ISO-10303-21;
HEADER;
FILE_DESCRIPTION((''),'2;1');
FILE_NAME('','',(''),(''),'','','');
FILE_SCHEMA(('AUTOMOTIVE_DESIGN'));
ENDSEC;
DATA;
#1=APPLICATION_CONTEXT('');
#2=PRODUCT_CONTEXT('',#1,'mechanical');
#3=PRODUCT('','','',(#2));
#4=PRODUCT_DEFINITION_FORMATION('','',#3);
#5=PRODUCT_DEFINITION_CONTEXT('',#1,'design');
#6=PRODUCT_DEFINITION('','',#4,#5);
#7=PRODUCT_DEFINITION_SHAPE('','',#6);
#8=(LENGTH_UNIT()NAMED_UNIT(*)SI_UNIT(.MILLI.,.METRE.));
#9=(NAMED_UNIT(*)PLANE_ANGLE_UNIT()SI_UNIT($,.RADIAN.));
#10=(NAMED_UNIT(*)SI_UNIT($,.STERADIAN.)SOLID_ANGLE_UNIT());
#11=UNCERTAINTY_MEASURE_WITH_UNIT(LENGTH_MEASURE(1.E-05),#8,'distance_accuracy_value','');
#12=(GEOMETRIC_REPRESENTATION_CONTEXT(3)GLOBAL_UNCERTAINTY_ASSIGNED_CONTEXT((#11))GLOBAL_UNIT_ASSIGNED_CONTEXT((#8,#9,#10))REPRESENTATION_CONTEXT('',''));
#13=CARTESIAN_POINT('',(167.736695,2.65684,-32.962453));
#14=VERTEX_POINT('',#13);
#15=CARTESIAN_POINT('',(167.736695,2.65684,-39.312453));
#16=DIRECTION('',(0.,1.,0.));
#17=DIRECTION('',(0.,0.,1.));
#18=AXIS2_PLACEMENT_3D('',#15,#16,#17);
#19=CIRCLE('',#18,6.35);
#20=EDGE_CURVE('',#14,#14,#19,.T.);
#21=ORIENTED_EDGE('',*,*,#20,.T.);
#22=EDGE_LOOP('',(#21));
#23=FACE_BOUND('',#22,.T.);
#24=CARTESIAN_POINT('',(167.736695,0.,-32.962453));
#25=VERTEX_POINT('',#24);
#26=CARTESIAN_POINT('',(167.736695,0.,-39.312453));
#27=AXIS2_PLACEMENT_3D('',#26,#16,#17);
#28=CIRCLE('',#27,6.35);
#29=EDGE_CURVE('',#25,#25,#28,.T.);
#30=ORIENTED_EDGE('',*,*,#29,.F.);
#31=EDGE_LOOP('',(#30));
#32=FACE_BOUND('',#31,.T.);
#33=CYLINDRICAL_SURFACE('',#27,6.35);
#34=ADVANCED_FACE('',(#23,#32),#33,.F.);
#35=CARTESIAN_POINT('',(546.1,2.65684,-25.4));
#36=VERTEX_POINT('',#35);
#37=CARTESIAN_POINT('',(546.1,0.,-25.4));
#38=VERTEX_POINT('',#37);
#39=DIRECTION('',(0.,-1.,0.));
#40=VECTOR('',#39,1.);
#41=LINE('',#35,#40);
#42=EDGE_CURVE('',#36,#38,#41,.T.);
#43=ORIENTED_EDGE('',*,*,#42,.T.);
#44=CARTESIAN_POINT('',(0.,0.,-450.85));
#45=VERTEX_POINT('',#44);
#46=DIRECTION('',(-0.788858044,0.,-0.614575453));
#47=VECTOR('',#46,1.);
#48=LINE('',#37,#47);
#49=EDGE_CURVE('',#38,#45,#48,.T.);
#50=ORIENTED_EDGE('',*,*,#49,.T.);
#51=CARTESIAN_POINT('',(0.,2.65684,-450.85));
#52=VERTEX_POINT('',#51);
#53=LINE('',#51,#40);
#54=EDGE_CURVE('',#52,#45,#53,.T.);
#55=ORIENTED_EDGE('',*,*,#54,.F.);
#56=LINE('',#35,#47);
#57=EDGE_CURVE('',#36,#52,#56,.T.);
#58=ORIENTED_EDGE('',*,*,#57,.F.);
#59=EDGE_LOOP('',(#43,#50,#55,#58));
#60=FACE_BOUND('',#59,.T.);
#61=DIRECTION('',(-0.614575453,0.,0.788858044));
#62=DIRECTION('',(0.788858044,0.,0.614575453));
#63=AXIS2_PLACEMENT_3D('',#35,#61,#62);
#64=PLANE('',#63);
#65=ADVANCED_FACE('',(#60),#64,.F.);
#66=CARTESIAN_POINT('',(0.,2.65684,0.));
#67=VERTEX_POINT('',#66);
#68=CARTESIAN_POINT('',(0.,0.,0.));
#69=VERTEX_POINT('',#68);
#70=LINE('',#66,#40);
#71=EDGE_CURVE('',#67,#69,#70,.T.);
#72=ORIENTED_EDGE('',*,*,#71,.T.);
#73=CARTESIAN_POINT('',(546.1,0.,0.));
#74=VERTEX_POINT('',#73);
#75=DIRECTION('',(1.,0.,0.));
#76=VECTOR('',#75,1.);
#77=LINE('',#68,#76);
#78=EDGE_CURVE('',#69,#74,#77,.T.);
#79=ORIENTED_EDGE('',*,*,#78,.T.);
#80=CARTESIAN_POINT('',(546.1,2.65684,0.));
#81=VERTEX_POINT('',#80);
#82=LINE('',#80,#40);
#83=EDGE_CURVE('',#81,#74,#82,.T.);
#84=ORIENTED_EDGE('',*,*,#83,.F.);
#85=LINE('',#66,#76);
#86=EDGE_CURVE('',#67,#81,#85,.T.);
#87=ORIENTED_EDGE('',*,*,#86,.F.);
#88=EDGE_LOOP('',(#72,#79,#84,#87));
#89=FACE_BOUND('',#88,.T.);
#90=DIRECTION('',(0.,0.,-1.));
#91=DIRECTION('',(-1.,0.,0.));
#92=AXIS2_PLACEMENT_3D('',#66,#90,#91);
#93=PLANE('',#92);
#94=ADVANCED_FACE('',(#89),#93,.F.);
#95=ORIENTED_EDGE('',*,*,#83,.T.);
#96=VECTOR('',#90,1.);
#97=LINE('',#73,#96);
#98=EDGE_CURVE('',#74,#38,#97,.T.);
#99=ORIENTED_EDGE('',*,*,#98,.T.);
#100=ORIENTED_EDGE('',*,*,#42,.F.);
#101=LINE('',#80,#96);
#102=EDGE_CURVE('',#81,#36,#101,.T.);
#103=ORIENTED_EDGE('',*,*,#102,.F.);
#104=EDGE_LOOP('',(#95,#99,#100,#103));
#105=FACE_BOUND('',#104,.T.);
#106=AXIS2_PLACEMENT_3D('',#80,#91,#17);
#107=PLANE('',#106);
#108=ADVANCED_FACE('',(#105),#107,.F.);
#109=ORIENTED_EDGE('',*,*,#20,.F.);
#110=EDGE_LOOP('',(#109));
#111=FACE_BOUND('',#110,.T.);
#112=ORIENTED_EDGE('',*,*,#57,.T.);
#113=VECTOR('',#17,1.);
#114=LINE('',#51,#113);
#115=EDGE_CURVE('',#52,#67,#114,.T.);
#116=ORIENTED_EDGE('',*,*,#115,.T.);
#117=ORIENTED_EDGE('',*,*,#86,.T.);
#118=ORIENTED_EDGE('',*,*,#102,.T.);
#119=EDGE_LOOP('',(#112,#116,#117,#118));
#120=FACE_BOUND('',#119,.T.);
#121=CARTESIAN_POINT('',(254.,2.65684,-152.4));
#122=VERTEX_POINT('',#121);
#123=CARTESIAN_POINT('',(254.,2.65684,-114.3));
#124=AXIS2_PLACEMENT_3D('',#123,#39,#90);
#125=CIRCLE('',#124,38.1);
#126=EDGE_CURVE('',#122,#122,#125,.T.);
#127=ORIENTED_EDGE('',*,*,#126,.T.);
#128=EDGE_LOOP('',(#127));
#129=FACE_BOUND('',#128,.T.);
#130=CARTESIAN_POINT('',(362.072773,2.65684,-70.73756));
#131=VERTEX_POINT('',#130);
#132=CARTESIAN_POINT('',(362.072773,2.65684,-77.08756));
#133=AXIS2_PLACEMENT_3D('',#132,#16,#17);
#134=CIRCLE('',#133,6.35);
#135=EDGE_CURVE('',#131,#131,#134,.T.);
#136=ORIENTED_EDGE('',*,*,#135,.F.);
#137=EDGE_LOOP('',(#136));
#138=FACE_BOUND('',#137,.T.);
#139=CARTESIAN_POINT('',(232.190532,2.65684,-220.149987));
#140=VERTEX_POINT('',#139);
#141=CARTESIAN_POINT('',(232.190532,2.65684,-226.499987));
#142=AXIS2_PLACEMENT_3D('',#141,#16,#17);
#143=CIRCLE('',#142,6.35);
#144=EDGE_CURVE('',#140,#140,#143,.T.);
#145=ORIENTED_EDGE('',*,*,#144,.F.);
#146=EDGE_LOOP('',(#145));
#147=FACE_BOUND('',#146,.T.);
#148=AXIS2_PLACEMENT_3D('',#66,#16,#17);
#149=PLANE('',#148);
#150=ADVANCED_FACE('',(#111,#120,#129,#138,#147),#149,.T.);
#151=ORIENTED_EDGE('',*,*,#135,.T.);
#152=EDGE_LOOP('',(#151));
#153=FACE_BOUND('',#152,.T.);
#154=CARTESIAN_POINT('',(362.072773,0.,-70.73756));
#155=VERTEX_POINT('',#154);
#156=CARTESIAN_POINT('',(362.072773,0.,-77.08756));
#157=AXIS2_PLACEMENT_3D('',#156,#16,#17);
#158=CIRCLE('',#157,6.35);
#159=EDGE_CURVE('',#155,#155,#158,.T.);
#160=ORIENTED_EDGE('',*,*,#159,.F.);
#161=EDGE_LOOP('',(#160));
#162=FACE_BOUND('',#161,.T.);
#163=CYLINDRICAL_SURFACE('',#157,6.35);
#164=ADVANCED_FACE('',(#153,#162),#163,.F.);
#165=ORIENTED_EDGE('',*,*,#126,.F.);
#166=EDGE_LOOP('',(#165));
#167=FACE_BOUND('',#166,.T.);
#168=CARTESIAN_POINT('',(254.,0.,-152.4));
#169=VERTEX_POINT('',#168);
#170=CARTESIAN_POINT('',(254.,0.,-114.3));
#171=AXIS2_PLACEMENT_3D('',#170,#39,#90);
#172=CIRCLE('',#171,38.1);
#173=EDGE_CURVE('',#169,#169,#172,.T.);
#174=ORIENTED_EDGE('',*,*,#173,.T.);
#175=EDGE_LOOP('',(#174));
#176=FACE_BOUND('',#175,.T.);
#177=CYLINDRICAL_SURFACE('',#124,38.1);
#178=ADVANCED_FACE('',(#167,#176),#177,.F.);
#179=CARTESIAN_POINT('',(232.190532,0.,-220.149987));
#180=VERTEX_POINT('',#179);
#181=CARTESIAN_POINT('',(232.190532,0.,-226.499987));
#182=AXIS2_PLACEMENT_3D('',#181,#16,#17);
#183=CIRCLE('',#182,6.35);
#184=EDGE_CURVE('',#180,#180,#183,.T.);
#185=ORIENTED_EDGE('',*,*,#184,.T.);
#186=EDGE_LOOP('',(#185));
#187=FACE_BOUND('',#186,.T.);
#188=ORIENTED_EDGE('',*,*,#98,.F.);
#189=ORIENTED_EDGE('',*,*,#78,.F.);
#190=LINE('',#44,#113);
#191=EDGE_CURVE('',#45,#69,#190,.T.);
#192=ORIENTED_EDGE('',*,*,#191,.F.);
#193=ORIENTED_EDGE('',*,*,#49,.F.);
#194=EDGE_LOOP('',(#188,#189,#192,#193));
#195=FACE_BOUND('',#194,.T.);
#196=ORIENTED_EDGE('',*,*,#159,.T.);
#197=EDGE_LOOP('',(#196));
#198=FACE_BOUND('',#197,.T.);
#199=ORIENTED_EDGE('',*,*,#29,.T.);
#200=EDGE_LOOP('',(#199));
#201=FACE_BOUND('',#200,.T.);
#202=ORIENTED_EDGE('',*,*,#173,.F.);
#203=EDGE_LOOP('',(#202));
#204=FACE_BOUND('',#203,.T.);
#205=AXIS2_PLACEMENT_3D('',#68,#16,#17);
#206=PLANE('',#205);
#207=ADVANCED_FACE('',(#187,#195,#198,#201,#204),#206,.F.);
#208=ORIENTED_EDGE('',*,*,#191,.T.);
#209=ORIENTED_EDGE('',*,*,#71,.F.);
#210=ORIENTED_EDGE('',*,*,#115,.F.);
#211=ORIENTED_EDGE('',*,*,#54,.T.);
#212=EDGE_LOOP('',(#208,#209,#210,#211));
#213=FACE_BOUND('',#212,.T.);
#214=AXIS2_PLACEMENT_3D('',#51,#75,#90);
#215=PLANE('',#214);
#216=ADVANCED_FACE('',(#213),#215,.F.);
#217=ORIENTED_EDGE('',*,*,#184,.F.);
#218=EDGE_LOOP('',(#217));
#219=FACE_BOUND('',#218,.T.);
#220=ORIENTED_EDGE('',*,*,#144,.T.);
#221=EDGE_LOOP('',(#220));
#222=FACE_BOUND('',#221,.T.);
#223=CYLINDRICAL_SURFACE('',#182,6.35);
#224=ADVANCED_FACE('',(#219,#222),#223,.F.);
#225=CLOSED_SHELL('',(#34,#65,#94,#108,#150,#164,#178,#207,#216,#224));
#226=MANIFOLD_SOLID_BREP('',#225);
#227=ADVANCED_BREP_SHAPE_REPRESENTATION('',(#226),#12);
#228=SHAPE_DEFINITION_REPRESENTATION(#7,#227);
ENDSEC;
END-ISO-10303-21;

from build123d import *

# Parameters (mm, degrees)
BOSS_EXTRUDE1_DEPTH = 2.65684
SKETCH2_R           = 38.1
CUT_EXTRUDE1_DEPTH  = 3.65684
SKETCH3_R           = 6.35
CUT_EXTRUDE2_DEPTH  = 3.65684


with BuildPart() as part:
    # Sketch1 → Boss-Extrude1 (new body)
    with BuildSketch(Plane(origin=(0, 0, 0), x_dir=(1, 0, 0), z_dir=(0, 1, 0))):
        Polygon((0, 450.85), (0, 0), (546.1, 0), (546.1, 25.4), align=None)
    extrude(amount=BOSS_EXTRUDE1_DEPTH)

    # Sketch2 → Cut-Extrude1 (cut, through all)
    with BuildSketch(Plane.XZ):
        with Locations((254, -114.3)):
            Circle(SKETCH2_R)
    extrude(amount=-CUT_EXTRUDE1_DEPTH, mode=Mode.SUBTRACT)

    # Sketch3 → Cut-Extrude2 (cut, through all)
    with BuildSketch(Plane(origin=(0, 2.65684, 0), x_dir=(1, 0, 0), z_dir=(0, 1, 0))):
        with Locations((362.072773191, 77.087559946)):
            Circle(SKETCH3_R)
        with Locations((167.736694981, 39.312452986)):
            Circle(SKETCH3_R)
        with Locations((232.190531828, 226.499987068)):
            Circle(SKETCH3_R)
    extrude(amount=-CUT_EXTRUDE2_DEPTH, mode=Mode.SUBTRACT)


solid = part.part
